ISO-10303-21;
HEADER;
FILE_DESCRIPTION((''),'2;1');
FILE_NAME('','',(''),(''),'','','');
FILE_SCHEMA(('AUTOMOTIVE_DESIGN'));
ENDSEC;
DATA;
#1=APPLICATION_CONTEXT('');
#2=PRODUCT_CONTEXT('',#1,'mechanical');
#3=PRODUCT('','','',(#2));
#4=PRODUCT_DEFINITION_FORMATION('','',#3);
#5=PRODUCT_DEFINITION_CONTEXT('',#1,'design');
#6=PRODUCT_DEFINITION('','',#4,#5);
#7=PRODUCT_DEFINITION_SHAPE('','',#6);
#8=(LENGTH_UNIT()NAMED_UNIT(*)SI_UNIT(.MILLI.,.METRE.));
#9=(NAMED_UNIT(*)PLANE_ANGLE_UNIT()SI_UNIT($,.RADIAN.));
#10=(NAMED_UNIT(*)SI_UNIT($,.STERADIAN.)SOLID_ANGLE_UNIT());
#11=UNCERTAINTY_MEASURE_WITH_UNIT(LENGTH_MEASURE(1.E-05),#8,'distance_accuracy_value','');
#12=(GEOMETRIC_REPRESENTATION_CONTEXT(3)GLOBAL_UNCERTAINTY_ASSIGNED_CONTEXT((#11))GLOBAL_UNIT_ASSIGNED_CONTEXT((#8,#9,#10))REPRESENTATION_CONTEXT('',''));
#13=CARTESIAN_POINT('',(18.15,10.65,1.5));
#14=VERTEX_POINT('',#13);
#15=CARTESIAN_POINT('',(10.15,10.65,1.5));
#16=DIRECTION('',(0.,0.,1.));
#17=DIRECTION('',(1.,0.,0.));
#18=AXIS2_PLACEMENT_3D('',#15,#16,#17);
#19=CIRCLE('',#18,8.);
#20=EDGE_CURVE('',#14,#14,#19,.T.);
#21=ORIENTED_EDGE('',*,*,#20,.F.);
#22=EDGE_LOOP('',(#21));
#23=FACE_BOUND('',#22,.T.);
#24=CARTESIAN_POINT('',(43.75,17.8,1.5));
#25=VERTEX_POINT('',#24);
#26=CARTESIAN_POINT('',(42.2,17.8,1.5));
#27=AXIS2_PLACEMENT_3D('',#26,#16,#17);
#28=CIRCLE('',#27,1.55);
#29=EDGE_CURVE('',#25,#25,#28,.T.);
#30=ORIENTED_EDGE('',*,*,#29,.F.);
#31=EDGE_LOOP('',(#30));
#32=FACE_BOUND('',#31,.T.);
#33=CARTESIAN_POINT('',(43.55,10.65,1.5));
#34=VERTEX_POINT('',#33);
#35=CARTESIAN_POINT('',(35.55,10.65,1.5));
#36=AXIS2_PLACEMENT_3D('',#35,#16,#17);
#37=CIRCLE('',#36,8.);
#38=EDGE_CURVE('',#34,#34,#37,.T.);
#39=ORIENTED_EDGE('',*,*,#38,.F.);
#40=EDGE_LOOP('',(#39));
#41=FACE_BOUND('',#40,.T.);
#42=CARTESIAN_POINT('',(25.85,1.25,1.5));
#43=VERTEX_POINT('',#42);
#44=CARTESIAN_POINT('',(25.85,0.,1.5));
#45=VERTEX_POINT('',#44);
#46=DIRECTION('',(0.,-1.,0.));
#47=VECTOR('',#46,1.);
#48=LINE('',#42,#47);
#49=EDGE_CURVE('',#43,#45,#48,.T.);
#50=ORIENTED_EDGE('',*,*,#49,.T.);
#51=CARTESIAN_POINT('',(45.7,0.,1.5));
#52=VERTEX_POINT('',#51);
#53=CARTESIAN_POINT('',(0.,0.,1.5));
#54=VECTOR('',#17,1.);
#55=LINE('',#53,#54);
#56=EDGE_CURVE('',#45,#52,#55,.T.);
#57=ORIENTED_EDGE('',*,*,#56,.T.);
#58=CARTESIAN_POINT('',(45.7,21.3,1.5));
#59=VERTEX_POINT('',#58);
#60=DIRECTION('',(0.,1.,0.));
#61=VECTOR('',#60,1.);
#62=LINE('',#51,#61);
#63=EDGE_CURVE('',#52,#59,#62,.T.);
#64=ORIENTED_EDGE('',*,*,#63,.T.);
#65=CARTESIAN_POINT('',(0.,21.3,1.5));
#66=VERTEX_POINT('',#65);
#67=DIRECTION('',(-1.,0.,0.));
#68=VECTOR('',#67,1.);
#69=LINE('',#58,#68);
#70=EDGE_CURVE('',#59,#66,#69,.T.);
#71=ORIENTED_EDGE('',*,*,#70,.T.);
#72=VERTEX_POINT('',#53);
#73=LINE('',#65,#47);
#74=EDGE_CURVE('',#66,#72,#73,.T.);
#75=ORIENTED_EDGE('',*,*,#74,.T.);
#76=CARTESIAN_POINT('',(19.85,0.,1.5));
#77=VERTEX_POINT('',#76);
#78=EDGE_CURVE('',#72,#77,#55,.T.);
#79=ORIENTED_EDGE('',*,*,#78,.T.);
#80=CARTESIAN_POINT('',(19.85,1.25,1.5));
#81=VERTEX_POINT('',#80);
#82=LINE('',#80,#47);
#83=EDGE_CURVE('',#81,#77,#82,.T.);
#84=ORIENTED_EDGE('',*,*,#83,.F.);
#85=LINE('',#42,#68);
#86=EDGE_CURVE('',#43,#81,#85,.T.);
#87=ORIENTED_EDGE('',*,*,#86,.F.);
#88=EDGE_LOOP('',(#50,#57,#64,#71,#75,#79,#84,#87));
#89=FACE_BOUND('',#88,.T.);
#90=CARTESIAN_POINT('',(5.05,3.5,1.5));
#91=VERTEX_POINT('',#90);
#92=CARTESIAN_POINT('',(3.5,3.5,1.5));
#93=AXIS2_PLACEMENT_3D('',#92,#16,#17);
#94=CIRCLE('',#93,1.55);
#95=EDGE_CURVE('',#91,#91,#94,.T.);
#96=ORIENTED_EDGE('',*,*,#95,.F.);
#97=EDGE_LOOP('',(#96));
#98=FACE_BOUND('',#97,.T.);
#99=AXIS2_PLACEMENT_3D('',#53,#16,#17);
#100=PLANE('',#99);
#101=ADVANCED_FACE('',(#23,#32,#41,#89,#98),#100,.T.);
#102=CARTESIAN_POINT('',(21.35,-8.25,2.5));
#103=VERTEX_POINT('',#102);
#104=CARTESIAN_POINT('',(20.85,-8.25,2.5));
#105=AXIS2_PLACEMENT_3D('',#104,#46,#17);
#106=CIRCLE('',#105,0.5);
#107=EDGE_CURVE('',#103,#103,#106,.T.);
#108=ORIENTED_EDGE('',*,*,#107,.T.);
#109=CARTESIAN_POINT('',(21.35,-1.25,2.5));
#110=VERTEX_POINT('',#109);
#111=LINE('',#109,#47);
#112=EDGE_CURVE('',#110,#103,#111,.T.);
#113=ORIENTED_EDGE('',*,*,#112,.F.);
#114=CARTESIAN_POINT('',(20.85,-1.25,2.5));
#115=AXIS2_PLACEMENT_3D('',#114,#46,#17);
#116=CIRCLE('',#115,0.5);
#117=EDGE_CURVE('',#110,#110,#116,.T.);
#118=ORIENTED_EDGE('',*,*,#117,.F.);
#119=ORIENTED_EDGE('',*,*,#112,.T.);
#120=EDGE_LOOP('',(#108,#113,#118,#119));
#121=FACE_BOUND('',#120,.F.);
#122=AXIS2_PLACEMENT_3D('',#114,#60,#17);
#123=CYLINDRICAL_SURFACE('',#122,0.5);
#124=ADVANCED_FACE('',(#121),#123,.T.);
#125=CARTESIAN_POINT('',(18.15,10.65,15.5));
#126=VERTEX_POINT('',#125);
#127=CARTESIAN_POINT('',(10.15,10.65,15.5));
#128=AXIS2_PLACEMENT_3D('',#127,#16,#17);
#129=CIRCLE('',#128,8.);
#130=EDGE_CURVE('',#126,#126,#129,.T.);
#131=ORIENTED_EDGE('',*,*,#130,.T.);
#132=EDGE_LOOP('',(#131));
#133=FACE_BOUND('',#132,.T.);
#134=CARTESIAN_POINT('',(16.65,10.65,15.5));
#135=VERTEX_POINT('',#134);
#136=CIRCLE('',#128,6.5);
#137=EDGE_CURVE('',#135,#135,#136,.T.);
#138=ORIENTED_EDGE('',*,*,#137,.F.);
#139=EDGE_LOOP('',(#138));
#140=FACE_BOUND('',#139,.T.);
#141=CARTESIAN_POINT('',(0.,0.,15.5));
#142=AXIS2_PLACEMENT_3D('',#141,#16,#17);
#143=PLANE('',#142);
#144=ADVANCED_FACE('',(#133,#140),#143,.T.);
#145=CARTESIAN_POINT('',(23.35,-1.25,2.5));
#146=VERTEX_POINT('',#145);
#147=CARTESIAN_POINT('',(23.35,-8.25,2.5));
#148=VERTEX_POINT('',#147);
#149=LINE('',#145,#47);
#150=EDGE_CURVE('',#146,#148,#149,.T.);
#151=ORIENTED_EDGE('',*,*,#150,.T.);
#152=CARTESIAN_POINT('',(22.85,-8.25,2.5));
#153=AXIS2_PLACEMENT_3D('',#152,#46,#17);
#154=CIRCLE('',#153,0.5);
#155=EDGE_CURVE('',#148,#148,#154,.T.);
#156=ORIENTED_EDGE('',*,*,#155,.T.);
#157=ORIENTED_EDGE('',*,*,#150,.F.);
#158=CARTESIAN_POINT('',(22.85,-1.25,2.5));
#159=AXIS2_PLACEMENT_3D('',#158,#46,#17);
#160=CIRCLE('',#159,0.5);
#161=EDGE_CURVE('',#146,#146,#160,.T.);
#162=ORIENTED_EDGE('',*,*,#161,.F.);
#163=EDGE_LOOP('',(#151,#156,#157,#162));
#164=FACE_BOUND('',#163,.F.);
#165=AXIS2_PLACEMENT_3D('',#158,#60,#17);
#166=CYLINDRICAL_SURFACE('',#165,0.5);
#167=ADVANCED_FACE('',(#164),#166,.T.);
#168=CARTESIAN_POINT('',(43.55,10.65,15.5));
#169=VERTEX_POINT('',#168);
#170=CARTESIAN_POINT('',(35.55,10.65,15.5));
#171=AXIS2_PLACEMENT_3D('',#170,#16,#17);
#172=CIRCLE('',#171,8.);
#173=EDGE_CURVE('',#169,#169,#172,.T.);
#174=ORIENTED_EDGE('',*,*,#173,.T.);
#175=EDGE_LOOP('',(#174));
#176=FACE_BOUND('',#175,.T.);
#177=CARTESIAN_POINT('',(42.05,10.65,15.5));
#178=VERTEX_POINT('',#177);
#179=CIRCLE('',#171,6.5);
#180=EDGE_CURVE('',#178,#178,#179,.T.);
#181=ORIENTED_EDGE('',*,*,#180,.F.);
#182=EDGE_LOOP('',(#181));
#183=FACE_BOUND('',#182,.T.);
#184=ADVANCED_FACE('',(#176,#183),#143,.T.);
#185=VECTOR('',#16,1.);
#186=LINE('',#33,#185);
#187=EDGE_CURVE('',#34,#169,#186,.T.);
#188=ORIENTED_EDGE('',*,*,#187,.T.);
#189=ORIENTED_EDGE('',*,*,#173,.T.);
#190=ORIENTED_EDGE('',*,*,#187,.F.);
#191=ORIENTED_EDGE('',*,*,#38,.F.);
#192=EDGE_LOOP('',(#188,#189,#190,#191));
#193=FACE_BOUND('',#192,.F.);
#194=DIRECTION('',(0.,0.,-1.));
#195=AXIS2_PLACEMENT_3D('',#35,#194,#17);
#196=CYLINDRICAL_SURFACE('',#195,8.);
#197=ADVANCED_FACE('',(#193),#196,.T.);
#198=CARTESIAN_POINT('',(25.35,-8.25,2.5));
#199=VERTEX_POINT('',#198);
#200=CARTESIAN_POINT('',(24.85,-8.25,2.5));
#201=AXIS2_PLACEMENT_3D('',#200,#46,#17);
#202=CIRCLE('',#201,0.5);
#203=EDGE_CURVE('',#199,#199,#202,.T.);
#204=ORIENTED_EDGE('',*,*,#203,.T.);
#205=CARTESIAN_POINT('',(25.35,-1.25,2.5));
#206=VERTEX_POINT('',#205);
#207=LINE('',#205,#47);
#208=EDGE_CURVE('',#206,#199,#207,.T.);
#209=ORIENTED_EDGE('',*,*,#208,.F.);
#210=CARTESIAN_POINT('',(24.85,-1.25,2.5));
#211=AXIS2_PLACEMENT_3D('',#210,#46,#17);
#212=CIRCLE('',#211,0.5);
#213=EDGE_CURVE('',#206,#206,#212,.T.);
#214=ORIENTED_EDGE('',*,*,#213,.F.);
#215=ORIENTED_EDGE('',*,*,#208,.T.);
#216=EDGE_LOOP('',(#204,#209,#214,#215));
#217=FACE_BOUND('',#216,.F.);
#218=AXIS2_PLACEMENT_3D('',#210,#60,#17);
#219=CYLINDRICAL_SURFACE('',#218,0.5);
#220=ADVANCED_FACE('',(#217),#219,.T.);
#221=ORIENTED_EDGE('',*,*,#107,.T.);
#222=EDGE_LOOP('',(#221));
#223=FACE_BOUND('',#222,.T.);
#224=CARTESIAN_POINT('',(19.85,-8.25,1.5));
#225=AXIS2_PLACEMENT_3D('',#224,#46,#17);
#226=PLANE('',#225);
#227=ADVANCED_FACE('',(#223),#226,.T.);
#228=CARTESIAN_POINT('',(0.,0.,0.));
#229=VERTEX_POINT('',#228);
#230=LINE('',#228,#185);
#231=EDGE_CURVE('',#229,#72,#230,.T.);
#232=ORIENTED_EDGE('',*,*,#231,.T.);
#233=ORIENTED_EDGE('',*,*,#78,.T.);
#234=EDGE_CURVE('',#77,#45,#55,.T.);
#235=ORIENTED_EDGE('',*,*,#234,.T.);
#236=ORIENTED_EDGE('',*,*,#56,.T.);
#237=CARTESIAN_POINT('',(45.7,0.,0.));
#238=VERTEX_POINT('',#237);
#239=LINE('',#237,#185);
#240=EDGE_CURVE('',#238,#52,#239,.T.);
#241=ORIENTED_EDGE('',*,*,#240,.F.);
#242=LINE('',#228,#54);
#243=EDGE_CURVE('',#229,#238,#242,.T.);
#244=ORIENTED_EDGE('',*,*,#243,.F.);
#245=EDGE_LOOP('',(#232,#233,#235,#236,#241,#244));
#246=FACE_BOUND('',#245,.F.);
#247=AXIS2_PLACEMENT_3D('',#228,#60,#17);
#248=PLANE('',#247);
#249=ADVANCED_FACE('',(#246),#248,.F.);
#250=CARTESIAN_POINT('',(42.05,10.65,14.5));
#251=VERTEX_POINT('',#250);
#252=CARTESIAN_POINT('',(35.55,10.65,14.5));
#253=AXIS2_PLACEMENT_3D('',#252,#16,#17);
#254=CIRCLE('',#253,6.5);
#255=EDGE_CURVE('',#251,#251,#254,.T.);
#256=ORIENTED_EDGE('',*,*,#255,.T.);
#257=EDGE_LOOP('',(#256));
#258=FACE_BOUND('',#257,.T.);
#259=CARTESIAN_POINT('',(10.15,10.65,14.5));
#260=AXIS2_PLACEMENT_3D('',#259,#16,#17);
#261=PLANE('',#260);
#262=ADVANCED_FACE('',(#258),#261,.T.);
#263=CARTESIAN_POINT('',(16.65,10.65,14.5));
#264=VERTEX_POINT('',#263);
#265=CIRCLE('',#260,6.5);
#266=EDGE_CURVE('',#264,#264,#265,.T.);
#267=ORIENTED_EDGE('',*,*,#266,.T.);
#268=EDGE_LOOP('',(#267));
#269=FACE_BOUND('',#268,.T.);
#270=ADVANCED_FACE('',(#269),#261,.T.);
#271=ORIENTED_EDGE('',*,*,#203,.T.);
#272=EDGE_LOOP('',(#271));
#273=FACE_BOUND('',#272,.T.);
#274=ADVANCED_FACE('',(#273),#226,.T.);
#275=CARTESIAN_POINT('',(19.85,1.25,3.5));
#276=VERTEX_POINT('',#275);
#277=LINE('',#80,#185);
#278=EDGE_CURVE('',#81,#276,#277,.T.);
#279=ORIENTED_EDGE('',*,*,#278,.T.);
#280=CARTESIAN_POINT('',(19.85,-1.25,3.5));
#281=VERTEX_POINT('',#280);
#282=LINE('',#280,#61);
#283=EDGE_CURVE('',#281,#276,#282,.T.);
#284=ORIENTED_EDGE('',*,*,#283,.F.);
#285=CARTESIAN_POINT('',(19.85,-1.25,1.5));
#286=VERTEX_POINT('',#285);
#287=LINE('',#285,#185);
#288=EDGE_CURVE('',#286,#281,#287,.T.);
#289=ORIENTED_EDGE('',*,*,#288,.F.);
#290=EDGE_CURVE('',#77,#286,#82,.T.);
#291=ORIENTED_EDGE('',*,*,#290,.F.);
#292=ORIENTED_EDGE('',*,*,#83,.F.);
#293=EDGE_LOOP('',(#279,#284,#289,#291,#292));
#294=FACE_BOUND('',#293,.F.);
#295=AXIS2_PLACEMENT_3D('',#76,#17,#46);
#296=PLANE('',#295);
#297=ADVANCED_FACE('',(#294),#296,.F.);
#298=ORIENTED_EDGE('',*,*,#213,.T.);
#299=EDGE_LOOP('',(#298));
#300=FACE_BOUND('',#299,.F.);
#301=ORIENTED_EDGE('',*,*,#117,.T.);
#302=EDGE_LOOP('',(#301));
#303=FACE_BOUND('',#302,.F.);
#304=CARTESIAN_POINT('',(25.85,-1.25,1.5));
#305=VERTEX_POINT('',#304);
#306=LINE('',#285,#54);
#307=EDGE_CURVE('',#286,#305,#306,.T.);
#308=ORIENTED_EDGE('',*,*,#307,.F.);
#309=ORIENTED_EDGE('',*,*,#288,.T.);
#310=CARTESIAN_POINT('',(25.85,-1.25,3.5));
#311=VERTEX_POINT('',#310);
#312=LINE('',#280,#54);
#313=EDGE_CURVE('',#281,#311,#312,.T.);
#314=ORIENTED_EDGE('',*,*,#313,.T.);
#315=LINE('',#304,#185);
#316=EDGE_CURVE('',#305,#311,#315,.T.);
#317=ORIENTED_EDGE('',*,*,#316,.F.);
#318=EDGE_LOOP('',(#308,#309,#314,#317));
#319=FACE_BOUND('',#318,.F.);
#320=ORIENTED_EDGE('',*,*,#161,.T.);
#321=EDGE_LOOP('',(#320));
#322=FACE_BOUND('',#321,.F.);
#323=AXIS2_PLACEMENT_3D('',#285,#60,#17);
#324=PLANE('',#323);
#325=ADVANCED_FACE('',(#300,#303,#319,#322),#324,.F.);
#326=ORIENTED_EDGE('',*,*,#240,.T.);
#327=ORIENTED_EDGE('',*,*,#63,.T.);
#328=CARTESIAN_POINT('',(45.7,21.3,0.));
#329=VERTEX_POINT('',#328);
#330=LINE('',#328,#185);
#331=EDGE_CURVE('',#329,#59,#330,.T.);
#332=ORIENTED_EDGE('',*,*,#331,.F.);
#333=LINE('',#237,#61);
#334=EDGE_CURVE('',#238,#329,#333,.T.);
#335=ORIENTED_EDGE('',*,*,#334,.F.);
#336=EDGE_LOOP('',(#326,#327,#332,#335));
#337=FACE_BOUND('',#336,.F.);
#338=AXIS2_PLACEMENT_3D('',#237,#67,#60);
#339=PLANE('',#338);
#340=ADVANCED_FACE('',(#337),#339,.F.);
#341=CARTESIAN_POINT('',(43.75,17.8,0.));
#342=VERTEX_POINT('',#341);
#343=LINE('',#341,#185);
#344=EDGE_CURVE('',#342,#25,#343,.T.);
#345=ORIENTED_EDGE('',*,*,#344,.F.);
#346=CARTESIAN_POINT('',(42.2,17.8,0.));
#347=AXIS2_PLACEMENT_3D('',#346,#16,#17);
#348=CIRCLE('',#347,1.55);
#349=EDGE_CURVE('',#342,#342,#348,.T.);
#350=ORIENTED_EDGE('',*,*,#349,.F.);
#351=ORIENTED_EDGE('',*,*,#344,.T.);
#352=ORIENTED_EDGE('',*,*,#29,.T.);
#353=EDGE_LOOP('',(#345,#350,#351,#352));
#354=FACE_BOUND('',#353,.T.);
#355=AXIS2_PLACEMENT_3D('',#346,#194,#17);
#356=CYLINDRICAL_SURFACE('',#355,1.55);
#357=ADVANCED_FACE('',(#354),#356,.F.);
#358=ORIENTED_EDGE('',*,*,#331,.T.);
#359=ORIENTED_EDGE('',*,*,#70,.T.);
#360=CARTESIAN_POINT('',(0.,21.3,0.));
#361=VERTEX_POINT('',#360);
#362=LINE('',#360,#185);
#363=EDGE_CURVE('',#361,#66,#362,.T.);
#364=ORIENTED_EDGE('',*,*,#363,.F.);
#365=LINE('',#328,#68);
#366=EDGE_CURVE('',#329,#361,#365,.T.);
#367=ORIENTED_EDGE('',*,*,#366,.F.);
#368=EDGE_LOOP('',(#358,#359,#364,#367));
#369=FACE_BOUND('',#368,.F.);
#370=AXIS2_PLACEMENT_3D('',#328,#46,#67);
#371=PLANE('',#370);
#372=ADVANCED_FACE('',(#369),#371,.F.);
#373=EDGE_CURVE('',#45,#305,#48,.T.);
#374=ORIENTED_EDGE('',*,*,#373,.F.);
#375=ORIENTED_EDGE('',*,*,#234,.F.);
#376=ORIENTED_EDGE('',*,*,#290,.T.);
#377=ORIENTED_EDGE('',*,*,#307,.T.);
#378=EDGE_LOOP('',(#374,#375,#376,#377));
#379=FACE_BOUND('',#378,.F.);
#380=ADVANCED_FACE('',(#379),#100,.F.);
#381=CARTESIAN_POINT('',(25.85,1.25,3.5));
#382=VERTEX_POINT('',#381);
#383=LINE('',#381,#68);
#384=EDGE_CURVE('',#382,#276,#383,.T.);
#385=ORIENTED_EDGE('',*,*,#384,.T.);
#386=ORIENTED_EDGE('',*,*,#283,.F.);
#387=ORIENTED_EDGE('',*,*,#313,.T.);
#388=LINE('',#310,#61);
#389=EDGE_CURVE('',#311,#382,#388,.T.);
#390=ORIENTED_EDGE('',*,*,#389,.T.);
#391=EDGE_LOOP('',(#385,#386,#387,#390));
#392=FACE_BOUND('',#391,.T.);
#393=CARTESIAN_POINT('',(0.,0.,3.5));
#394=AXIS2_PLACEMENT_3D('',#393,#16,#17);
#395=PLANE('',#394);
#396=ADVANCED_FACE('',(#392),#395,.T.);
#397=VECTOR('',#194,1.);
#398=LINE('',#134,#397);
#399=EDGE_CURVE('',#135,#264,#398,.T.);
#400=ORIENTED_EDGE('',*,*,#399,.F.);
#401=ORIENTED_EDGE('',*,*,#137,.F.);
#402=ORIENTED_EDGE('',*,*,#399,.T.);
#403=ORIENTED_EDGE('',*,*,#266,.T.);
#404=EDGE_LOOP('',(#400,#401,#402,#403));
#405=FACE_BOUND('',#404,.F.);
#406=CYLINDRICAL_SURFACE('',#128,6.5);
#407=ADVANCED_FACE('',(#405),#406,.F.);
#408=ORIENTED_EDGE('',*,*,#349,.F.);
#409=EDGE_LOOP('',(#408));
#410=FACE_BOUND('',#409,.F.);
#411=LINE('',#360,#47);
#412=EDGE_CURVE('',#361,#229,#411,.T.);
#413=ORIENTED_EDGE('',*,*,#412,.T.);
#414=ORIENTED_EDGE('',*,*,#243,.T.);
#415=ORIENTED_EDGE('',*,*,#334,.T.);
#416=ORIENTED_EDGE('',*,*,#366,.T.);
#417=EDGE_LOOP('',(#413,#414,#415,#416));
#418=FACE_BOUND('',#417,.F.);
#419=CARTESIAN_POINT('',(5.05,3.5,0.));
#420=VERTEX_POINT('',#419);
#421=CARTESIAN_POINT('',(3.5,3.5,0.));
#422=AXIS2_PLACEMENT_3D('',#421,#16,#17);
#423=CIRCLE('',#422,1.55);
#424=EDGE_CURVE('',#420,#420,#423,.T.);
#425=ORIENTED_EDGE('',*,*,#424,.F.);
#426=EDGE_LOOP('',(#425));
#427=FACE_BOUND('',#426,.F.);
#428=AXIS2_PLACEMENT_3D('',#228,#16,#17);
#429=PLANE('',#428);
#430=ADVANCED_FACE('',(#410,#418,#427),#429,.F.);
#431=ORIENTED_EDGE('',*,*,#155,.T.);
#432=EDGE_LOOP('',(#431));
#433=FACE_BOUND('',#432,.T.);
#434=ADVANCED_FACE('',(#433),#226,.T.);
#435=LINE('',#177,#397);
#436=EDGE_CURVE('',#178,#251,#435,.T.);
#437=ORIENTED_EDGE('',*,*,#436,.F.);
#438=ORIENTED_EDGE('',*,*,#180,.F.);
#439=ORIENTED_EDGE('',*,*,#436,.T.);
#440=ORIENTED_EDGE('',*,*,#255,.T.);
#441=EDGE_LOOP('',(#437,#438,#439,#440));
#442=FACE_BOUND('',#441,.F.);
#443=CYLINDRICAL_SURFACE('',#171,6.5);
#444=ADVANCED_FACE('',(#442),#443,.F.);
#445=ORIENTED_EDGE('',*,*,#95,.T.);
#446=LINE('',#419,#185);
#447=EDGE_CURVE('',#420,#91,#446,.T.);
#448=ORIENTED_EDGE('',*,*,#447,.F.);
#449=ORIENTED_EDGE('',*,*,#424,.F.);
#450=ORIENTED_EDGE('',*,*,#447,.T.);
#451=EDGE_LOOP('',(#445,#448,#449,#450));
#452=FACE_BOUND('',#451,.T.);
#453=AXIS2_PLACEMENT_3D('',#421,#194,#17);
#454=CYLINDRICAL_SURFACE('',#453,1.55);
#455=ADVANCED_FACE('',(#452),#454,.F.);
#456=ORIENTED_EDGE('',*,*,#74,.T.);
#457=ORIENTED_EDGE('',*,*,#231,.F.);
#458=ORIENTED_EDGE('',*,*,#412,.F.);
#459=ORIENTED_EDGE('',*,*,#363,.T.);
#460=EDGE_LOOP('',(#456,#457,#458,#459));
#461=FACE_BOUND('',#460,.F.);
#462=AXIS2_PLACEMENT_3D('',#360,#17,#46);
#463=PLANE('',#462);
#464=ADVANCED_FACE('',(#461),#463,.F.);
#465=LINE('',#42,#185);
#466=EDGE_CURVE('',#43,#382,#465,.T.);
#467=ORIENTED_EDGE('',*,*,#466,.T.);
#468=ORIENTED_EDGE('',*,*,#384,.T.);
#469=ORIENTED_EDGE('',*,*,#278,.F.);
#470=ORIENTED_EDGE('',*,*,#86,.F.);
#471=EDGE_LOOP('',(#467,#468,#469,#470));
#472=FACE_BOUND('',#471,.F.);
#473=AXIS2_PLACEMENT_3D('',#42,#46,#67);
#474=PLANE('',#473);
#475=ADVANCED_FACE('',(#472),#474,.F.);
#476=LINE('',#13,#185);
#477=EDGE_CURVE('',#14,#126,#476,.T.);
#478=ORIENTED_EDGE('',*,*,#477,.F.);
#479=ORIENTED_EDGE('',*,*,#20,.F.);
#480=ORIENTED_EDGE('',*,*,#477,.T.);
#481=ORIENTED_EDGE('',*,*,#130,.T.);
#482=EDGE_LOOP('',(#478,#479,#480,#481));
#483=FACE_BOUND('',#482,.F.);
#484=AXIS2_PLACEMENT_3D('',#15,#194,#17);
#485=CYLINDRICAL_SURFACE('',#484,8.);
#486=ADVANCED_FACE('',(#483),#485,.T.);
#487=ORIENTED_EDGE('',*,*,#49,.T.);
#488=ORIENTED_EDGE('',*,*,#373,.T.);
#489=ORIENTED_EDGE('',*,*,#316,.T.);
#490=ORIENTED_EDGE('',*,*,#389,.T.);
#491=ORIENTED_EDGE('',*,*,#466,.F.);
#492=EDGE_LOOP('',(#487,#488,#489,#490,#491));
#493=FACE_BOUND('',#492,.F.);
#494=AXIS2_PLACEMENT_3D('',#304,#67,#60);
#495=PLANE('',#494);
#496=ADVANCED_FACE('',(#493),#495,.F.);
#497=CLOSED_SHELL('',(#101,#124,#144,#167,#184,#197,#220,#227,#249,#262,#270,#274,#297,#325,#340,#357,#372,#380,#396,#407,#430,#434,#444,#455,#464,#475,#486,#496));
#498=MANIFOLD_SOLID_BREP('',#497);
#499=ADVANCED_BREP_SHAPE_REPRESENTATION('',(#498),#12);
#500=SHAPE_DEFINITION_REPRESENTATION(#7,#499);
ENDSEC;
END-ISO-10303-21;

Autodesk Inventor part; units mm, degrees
ref_plane "YZ Plane" through (0, 0, 0) normal (1, 0, 0) x (0, 1, 0)
ref_plane "XZ Plane" through (0, 0, 0) normal (0, 1, 0) x (-1, 0, 0)
ref_plane "XY Plane" through (0, 0, 0) normal (0, 0, 1) x (1, 0, 0)
sketch "スケッチ1" plane through (0, 0, 0) normal (0, 0, 1) x (1, 0, 0)
  line L0 (0, 0) -> (45.7, 0)
  line L1 (45.7, 0) -> (45.7, 21.3)
  line L2 (45.7, 21.3) -> (0, 21.3)
  line L3 (0, 21.3) -> (0, 0)
  line L4 (45.7, 21.3) -> (42.2, 21.3) construction
  line L5 (42.2, 21.3) -> (42.2, 17.8) construction
  line L6 (42.2, 17.8) -> (45.7, 17.8) construction
  line L7 (45.7, 17.8) -> (45.7, 21.3) construction
  line L8 (0, 0) -> (3.5, 0) construction
  line L9 (3.5, 0) -> (3.5, 3.5) construction
  line L10 (3.5, 3.5) -> (0, 3.5) construction
  line L11 (0, 3.5) -> (0, 0) construction
  circle A0 centre (3.5, 3.5) radius 1.55
  circle A1 centre (42.2, 17.8) radius 1.55
  dimension "d0" = 45.7
  dimension "d1" = 21.3
  dimension "d2" = 3.5
  dimension "d3" = 3.5
  dimension "d4" = 3.5
  dimension "d5" = 3.5
  dimension "d6" = 3.1
  dimension "d7" = 3.1
extrude "押し出し1" add sketch "スケッチ1" along normal blind 1.5
sketch "スケッチ2" plane through (0, 0, 1.5) normal (0, 0, 1) x (1, 0, 0)
  line L0 (0, 21.3) -> (0, 0) construction
  line L1 (0, 10.65) -> (2, 10.65) construction
  line L2 (2, 10.65) -> (18.3, 10.65) construction
  line L3 (18.3, 10.65) -> (27.4, 10.65) construction
  line L4 (27.4, 10.65) -> (43.7, 10.65) construction
  line L5 (43.7, 10.65) -> (45.7, 10.65) construction
  circle A0 centre (10.15, 10.65) radius 8
  circle A1 centre (35.55, 10.65) radius 8
  dimension "d10" = 2
  dimension "d11" = 16.3
  dimension "d12" = 9.1
  dimension "d13" = 16.3
  dimension "d14" = 2
  dimension "d15" = 16
  dimension "d16" = 16
extrude "押し出し2" add sketch "スケッチ2" along normal blind 14
sketch "スケッチ3" plane through (10.15, 10.65, 15.5) normal (0, 0, 1) x (1, 0, 0)
  circle A0 centre (0, 0) radius 6.5
  circle A1 centre (25.4, 0) radius 8 projected
  circle A2 centre (25.4, 0) radius 6.5
  point P0 (-10.15, -10.65)
  dimension "d19" = 13
  dimension "d20" = 13
extrude "押し出し3" cut sketch "スケッチ3" against normal blind 1 contours A0 | A2
sketch "スケッチ4" plane through (0, 0, 1.5) normal (0, 0, 1) x (1, 0, 0)
  line L0 (19.85, -1.25) -> (25.85, -1.25)
  line L1 (25.85, -1.25) -> (25.85, 1.25)
  line L2 (25.85, 1.25) -> (19.85, 1.25)
  line L3 (19.85, 1.25) -> (19.85, -1.25)
  line L4 (0, 0) -> (45.7, 0) projected
  line L5 (19.85, -1.25) -> (25.85, 1.25) construction
  line L6 (25.85, -1.25) -> (19.85, 1.25) construction
  point P0 (22.85, 0)
  dimension "d23" = 6
  dimension "d24" = 2.5
extrude "押し出し4" add sketch "スケッチ4" along normal blind 2
sketch "スケッチ5" plane through (19.85, -1.25, 1.5) normal (0, -1, 0) x (1, 0, 0)
  circle A0 centre (3, 1) radius 0.5
  line L0 (0, 0) -> (0, 2) construction
  line L1 (0, 1) -> (1, 1) construction
  line L2 (6, 0) -> (6, 2) construction
  line L3 (6, 1) -> (5, 1) construction
  circle A1 centre (1, 1) radius 0.5
  circle A2 centre (5, 1) radius 0.5
  point P0 (-19.85, -1.5)
  dimension "d27" = 1
  dimension "d28" = 1
  dimension "d29" = 1
  dimension "d30" = 1
  dimension "d31" = 1
extrude "押し出し5" add sketch "スケッチ5" along normal blind 7
properties part number "UltrasonicDistanceSencor"
